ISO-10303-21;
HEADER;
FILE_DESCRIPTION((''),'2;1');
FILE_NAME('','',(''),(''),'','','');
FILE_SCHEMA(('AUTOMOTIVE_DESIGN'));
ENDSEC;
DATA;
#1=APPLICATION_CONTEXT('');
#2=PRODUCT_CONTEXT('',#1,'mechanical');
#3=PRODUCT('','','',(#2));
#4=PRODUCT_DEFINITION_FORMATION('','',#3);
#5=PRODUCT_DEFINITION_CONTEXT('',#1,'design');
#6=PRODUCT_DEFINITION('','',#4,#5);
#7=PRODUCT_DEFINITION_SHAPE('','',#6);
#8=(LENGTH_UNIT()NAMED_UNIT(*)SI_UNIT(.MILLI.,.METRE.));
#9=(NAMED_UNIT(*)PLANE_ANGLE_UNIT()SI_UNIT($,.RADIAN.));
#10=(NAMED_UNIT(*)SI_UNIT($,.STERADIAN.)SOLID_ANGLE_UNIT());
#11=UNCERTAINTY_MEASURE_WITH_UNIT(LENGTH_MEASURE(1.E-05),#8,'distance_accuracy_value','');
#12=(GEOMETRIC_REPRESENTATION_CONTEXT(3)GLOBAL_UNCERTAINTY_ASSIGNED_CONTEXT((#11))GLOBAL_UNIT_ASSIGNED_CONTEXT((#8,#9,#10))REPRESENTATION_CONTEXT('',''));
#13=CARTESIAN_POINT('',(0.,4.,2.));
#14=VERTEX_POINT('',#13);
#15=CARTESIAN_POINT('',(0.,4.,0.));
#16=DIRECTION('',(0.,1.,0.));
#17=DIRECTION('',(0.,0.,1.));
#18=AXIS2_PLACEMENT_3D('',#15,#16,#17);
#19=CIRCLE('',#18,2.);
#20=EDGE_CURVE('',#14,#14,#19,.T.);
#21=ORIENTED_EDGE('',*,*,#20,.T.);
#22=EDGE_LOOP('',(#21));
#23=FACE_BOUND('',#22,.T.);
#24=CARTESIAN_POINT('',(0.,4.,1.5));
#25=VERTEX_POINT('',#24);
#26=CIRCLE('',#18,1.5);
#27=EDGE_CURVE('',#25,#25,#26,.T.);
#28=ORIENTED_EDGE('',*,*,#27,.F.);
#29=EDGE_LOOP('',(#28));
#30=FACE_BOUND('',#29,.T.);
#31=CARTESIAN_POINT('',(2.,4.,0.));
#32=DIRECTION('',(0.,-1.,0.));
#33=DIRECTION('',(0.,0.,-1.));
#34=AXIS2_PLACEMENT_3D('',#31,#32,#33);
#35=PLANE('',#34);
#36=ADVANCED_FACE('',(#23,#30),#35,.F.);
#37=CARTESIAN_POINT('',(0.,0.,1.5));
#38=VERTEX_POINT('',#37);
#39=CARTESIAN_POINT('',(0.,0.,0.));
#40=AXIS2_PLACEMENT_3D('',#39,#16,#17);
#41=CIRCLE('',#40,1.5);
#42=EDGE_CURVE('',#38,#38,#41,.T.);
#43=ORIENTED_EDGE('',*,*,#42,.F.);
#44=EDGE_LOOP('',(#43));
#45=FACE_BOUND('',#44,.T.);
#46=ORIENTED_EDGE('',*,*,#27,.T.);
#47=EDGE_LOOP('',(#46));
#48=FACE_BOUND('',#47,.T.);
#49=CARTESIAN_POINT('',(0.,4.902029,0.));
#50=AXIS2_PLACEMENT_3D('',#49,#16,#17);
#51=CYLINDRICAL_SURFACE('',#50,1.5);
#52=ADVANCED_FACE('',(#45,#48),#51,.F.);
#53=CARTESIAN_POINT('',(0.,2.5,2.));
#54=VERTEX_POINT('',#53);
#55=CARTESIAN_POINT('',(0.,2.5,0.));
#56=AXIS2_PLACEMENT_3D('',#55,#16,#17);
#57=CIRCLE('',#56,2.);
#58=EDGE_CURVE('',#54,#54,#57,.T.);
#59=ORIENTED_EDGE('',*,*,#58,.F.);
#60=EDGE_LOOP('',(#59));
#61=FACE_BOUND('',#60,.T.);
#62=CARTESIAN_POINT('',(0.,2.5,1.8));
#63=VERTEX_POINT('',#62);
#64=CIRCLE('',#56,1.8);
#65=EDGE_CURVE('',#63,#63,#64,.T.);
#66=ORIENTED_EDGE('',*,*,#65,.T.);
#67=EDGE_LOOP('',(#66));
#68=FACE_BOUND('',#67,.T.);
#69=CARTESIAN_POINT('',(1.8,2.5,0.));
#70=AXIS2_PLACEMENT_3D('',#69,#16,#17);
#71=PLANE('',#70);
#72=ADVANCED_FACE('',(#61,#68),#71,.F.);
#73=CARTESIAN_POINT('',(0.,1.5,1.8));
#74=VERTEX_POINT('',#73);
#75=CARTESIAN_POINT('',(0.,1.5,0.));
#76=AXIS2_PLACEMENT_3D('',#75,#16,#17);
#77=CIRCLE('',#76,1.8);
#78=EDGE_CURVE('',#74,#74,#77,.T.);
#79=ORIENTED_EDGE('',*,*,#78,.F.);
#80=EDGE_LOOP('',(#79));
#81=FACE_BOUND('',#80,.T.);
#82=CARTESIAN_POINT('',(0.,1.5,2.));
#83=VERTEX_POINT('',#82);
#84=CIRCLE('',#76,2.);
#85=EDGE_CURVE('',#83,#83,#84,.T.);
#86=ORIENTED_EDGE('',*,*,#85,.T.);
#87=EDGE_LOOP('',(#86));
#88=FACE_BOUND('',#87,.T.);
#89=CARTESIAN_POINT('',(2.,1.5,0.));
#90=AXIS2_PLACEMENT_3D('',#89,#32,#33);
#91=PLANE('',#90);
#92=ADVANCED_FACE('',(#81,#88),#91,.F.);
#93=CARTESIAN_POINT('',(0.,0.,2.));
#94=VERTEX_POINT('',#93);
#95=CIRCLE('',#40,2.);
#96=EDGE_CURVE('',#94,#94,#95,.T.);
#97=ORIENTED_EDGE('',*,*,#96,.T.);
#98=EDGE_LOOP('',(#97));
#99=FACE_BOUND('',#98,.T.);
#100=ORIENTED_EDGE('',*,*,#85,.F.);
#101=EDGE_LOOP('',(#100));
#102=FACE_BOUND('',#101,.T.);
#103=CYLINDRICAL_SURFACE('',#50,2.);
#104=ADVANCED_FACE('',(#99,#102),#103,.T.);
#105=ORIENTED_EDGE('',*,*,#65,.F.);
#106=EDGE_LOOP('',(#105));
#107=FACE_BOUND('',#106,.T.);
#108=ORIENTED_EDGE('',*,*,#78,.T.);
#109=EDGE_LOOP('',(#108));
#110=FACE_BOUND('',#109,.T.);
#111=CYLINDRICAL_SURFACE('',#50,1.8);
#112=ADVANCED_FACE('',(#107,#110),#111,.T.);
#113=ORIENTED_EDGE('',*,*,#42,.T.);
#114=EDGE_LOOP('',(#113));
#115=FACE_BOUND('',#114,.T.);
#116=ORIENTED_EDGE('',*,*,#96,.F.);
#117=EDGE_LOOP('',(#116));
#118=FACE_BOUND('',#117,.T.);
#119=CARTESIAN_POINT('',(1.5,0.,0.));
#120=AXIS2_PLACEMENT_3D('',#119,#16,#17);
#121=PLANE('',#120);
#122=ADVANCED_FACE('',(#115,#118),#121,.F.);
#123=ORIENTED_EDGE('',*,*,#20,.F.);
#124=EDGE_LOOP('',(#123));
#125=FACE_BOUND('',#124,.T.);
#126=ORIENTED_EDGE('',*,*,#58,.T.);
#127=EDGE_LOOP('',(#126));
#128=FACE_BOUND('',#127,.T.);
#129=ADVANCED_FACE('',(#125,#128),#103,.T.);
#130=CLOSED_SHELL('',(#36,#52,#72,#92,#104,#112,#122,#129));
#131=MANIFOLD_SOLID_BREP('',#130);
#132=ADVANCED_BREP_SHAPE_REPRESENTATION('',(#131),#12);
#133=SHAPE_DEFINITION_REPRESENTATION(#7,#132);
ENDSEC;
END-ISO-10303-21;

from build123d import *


with BuildPart() as part:
    # Sketch1 → Revolve1 (revolve)
    with BuildSketch(Plane.XY, mode=Mode.PRIVATE) as revolve1_sk:
        Polygon((1.5, 0), (2, 0), (2, 1.5), (1.8, 1.5), (1.8, 2.5), (2, 2.5), (2, 4), (1.5, 4), align=None)
    revolve(revolve1_sk.sketch.rotate(Axis((0, 4.902028775, 0), (0, -1, 0)), 90), axis=Axis((0, 4.902028775, 0), (0, -1, 0)))


solid = part.part
